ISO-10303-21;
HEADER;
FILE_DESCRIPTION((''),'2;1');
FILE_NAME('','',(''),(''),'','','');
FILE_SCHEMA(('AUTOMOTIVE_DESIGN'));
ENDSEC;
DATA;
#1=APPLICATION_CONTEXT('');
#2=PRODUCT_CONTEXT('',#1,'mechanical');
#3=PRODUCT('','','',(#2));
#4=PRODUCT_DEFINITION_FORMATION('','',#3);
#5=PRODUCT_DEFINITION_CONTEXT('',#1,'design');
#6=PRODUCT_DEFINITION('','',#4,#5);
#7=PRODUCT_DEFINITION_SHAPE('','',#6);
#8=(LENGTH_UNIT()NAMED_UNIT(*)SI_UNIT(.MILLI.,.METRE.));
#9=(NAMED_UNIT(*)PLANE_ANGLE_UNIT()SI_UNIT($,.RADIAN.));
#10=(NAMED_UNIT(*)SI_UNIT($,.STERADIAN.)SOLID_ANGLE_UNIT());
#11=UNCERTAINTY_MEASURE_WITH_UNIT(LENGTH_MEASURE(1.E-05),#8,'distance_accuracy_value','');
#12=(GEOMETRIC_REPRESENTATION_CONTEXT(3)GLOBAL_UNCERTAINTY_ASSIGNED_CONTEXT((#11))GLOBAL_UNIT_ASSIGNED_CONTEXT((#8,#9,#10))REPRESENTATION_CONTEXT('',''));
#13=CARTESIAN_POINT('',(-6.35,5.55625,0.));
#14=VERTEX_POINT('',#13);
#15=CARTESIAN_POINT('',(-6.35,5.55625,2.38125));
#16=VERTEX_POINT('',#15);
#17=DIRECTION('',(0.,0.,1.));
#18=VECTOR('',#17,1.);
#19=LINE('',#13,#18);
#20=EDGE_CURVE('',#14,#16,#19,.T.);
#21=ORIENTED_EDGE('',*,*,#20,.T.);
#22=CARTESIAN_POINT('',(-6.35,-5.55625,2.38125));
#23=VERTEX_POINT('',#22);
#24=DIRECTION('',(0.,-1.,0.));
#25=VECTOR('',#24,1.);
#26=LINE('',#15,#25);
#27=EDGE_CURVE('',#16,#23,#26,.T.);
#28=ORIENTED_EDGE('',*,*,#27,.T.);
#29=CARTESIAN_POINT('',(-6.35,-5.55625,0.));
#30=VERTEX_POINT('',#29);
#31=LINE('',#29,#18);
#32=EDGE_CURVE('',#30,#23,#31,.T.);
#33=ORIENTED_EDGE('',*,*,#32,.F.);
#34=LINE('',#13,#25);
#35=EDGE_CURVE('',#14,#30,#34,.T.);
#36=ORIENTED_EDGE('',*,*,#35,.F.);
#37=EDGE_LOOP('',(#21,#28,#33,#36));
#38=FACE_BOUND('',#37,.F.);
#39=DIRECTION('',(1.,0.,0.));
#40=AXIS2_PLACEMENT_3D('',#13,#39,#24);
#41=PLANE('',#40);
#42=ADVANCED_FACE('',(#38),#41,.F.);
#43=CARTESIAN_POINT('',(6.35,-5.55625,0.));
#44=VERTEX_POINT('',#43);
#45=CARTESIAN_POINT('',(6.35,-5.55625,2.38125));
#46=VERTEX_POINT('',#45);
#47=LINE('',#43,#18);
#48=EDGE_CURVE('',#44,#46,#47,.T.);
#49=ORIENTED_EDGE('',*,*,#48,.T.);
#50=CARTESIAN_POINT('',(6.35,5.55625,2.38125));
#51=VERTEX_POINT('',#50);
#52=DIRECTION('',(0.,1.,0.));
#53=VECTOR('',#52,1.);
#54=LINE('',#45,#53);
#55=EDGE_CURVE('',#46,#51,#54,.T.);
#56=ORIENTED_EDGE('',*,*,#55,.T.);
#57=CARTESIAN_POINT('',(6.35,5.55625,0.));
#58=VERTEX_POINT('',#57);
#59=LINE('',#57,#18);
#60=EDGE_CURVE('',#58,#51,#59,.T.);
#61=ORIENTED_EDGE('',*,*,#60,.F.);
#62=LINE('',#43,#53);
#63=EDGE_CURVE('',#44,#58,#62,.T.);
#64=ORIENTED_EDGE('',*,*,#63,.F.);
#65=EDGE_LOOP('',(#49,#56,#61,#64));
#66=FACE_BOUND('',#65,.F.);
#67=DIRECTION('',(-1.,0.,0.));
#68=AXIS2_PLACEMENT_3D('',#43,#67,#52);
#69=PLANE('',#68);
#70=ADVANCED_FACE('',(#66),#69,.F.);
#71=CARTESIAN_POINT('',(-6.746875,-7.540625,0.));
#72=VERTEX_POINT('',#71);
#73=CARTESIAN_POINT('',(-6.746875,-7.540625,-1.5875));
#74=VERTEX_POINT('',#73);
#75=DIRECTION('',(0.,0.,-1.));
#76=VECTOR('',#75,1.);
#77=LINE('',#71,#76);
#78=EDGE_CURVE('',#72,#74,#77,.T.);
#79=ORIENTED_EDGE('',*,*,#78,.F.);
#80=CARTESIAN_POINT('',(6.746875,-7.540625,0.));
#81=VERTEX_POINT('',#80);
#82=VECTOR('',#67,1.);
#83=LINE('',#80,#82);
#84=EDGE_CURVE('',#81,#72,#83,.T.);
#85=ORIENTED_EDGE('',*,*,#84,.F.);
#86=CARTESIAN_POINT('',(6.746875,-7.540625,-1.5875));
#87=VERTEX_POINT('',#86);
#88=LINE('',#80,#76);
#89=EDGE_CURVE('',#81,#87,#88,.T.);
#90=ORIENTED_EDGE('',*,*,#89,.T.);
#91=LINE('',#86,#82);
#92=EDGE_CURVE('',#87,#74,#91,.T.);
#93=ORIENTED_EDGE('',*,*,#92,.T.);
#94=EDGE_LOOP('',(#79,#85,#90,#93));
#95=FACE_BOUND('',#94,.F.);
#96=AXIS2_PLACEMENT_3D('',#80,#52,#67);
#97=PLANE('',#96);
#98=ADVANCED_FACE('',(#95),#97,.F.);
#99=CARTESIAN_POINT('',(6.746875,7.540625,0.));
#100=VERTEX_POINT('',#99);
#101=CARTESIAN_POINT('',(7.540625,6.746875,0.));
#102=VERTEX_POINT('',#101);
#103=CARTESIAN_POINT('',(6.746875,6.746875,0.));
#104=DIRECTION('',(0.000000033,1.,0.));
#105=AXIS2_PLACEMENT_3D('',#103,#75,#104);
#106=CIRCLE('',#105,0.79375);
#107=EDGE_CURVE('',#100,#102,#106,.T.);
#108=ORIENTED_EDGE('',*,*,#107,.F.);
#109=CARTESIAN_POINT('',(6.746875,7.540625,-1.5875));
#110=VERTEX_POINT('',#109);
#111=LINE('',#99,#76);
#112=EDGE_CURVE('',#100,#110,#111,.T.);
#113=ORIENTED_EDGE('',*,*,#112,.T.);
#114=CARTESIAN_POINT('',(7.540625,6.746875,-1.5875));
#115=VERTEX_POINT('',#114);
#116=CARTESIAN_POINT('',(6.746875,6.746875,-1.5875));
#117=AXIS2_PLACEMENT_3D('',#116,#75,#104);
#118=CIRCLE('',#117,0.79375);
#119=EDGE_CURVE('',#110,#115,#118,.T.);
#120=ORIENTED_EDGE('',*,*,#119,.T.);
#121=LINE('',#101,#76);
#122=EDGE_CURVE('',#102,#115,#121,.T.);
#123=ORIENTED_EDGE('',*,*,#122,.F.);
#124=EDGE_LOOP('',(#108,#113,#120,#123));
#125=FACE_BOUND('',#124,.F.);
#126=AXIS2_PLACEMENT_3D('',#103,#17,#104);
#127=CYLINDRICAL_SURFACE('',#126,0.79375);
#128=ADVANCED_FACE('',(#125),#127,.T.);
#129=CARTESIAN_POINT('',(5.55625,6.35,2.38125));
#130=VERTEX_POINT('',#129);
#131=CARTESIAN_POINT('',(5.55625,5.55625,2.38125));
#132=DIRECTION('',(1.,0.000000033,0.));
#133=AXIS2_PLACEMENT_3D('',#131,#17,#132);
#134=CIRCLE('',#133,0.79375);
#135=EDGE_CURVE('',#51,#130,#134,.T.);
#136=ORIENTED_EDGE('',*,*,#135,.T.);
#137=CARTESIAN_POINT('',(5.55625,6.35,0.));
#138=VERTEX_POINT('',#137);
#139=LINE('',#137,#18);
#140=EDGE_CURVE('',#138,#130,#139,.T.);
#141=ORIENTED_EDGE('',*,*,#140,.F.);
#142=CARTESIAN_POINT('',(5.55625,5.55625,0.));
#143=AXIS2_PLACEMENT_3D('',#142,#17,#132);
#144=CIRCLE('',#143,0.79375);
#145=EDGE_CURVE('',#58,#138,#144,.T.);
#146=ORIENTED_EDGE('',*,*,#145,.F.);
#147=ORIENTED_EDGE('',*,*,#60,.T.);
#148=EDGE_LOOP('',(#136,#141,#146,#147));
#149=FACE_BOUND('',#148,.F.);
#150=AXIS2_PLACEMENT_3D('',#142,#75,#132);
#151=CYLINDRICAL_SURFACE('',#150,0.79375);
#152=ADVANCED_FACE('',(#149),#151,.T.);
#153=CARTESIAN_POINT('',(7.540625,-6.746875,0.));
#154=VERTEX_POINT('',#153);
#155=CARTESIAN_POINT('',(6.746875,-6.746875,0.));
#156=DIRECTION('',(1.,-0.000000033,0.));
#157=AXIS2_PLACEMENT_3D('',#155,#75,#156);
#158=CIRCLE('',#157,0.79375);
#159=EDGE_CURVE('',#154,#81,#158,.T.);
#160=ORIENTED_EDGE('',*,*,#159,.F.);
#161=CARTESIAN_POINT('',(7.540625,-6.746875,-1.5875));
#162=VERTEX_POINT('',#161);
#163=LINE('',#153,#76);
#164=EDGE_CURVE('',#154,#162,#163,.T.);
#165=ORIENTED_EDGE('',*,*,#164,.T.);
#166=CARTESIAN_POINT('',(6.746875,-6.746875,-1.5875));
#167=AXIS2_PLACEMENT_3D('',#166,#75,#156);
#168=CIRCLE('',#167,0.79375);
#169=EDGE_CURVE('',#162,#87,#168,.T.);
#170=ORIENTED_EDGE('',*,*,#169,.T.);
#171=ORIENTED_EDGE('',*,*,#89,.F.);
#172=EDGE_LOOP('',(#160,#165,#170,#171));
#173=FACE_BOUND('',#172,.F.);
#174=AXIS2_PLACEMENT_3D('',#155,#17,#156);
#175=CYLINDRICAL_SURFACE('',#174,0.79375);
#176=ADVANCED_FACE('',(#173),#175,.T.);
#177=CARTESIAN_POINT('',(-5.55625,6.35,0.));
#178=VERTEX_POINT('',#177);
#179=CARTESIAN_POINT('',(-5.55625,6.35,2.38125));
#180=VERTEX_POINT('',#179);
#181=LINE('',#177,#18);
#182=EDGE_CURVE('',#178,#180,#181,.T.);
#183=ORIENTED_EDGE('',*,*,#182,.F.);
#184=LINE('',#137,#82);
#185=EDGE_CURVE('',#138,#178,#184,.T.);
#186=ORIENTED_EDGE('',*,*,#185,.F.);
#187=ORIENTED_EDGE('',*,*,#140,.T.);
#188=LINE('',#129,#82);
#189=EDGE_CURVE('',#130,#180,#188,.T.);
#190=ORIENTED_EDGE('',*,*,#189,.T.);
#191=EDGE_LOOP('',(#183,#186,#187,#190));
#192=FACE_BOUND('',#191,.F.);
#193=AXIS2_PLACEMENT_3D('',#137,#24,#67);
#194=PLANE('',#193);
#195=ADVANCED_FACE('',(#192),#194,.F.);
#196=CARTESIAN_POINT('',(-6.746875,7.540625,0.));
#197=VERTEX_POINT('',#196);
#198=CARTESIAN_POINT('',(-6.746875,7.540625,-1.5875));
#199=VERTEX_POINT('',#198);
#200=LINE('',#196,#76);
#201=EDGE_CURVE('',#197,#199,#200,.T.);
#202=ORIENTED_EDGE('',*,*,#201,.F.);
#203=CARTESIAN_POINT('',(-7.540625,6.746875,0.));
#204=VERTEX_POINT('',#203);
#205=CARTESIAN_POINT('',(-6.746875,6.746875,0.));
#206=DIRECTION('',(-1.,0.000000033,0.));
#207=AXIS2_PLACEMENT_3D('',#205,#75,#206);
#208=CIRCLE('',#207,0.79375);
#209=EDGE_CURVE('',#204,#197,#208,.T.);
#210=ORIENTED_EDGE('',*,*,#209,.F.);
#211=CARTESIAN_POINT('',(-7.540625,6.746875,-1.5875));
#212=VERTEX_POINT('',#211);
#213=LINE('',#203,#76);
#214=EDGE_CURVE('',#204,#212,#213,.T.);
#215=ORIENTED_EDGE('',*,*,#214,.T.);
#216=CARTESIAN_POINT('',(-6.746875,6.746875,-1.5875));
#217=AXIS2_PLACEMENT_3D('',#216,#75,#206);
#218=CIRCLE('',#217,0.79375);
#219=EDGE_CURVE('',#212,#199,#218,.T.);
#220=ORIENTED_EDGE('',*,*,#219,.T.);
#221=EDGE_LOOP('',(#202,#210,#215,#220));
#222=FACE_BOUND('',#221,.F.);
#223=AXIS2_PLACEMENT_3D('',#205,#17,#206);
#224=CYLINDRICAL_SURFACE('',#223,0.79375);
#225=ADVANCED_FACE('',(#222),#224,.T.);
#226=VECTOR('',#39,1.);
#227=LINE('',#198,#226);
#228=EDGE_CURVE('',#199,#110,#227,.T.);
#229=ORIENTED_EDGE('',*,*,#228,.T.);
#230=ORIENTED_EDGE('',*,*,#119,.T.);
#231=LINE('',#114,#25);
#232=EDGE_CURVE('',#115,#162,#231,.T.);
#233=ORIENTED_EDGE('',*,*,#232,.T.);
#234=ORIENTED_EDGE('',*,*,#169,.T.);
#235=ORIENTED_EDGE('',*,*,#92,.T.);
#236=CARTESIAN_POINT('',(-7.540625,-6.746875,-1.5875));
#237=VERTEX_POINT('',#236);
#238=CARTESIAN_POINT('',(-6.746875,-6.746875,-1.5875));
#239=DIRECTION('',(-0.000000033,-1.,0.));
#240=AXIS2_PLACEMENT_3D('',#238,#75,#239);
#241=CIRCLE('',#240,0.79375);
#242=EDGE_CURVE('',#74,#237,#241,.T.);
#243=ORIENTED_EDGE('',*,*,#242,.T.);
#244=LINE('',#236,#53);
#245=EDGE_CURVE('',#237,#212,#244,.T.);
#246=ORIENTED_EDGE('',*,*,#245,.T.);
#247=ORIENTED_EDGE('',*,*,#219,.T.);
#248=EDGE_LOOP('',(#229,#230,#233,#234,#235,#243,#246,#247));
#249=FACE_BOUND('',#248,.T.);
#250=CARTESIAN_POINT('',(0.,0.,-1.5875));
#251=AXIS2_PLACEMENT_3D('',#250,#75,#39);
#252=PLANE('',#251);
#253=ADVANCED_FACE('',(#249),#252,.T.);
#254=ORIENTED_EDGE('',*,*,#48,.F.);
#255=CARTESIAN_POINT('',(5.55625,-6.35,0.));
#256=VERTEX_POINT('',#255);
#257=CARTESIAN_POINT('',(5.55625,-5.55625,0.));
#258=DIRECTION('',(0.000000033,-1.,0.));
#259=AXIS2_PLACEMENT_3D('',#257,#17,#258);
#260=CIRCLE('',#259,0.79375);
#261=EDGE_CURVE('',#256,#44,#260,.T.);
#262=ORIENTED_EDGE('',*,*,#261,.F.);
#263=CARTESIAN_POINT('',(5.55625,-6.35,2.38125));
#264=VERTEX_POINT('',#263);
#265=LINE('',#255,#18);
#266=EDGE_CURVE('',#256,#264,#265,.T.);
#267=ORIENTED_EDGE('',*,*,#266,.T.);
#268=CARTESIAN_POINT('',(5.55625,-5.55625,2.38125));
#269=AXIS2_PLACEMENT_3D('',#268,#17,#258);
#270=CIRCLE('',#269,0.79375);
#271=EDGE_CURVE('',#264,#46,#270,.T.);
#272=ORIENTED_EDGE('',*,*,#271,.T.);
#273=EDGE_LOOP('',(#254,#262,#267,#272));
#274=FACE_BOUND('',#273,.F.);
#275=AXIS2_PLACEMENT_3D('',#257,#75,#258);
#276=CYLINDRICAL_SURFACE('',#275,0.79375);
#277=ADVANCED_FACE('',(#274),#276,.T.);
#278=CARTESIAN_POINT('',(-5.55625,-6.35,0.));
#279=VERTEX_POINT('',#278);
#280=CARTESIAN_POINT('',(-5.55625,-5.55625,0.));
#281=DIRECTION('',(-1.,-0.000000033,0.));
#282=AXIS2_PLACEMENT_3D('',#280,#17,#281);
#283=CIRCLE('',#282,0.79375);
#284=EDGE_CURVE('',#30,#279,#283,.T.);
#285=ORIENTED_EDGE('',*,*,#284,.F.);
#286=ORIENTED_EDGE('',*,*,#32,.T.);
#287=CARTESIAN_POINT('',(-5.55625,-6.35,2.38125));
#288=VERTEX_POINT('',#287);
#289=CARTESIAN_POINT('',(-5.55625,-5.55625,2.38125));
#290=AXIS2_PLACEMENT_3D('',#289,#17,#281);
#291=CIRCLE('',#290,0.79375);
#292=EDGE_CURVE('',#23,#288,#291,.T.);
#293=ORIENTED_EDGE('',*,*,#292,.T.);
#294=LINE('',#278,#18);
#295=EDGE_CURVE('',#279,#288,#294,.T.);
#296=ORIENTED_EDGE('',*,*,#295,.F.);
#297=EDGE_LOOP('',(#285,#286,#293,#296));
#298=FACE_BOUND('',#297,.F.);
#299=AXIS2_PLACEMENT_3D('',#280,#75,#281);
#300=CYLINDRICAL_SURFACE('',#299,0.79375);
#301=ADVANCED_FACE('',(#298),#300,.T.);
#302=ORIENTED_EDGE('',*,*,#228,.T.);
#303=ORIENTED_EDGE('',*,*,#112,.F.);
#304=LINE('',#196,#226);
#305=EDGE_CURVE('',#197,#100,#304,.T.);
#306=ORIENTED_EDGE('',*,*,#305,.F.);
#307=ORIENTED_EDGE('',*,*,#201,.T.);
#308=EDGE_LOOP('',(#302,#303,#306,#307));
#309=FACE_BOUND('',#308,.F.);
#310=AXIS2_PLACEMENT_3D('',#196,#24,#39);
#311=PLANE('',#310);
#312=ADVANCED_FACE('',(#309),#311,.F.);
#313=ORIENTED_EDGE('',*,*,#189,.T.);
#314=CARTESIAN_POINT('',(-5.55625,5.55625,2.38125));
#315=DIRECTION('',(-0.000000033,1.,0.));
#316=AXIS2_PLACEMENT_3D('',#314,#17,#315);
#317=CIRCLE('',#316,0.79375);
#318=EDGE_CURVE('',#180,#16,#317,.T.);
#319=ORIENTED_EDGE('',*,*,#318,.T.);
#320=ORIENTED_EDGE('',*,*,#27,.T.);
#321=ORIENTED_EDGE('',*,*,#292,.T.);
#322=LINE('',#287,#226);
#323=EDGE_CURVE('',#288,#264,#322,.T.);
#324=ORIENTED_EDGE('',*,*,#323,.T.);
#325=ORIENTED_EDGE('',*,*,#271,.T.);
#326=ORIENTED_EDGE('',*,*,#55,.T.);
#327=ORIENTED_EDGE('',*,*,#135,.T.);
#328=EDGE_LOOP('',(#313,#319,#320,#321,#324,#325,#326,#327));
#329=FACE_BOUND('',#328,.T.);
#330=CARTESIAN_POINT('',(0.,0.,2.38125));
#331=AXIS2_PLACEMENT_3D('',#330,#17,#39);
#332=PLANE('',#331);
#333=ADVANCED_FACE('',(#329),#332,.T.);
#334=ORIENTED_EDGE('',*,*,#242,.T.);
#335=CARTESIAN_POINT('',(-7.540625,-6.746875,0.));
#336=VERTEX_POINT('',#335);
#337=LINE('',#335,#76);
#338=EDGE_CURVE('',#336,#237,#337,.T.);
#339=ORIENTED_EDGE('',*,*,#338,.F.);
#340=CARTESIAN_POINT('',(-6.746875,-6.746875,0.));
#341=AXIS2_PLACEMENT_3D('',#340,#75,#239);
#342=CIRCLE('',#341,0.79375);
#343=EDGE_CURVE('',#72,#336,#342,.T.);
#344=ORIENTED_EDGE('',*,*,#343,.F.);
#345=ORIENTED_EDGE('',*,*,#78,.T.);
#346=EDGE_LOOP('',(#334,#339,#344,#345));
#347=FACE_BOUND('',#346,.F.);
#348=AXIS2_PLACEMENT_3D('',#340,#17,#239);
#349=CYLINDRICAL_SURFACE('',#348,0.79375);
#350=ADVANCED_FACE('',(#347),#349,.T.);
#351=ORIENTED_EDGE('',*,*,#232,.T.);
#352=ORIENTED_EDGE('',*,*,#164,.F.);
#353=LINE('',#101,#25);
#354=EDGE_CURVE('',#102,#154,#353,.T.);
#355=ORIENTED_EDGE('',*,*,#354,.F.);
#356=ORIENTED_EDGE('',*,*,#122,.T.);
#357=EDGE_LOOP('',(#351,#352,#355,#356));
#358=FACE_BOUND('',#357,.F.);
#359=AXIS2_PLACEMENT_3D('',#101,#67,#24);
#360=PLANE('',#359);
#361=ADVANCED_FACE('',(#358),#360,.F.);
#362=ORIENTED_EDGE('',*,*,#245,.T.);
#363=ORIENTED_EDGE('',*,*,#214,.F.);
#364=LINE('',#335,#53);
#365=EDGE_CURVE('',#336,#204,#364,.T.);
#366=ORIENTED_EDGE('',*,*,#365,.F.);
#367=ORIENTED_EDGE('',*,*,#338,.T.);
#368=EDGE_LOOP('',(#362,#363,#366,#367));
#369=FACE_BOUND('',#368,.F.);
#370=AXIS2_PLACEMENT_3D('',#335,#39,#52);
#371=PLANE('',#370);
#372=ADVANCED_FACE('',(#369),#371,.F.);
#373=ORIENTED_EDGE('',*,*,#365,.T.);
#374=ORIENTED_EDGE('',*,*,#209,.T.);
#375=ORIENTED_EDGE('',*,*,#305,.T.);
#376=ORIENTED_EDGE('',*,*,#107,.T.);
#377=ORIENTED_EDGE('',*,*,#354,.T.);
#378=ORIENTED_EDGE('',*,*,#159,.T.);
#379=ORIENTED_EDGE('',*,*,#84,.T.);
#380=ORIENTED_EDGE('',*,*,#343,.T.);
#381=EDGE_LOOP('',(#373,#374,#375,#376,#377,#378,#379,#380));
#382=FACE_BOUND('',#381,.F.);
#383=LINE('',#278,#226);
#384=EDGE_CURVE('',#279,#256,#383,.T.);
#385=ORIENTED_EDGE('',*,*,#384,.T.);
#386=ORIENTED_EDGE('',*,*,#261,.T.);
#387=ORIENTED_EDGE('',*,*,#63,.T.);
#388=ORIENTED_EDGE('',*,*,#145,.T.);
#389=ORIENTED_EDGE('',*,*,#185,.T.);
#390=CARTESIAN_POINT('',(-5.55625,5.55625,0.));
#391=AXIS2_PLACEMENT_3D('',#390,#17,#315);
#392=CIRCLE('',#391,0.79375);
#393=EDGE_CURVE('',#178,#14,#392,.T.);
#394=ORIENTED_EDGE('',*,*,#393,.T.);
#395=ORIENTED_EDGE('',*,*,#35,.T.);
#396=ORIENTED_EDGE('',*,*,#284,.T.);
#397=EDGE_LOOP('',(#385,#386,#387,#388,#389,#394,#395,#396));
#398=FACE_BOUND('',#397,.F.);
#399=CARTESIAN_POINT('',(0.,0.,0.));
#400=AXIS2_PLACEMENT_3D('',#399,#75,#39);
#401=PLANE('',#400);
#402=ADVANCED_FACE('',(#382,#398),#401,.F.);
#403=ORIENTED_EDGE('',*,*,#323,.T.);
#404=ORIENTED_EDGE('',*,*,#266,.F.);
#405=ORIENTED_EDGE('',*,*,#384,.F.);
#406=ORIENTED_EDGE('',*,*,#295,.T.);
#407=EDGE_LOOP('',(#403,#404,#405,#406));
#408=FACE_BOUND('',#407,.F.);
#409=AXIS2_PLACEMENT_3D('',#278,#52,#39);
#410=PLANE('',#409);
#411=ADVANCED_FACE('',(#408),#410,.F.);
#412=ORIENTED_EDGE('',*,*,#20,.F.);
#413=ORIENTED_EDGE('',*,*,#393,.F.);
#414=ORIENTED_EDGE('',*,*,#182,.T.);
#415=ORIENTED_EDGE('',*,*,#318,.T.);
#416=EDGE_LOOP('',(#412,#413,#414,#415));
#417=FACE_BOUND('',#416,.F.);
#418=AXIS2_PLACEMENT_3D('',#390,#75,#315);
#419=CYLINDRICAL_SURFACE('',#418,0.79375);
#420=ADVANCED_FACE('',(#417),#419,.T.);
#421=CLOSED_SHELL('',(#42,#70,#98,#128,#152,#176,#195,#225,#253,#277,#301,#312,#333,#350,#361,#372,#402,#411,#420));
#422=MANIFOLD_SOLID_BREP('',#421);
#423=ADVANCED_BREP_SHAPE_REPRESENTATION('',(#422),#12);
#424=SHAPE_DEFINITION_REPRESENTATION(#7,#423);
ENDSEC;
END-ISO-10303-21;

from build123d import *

# Parameters (mm, degrees)
F1_DEPTH = 2.38125
F3_DEPTH = 1.5875


with BuildPart() as f1:
    # F0 (on Top) → F1 (new body)
    with BuildSketch(Plane.XY):
        with BuildLine():
            Line((-5.55625, -6.35), (5.55625, -6.35))
            ThreePointArc((5.55625, -6.35), (6.117516, -6.117516), (6.35, -5.55625))
            Line((6.35, -5.55625), (6.35, 5.55625))
            ThreePointArc((6.35, 5.55625), (6.117516, 6.117516), (5.55625, 6.35))
            Line((5.55625, 6.35), (-5.55625, 6.35))
            ThreePointArc((-5.55625, 6.35), (-6.117516, 6.117516), (-6.35, 5.55625))
            Line((-6.35, 5.55625), (-6.35, -5.55625))
            ThreePointArc((-6.35, -5.55625), (-6.117516, -6.117516), (-5.55625, -6.35))
        make_face()
    extrude(amount=F1_DEPTH)

    # F2 (on face) → F3 (join)
    with BuildSketch(Plane(origin=(0, 0, 0), x_dir=(1, 0, 0), z_dir=(0, 0, -1))):
        with BuildLine():
            Line((6.746875, 7.540625), (-6.746875, 7.540625))
            ThreePointArc((-6.746875, 7.540625), (-7.308141, 7.308141), (-7.540625, 6.746875))
            Line((-7.540625, 6.746875), (-7.540625, -6.746875))
            ThreePointArc((-7.540625, -6.746875), (-7.308141, -7.308141), (-6.746875, -7.540625))
            Line((-6.746875, -7.540625), (6.746875, -7.540625))
            ThreePointArc((6.746875, -7.540625), (7.308141, -7.308141), (7.540625, -6.746875))
            Line((7.540625, -6.746875), (7.540625, 6.746875))
            ThreePointArc((7.540625, 6.746875), (7.308141, 7.308141), (6.746875, 7.540625))
        make_face()
        with BuildLine():
            Line((-5.55625, 6.35), (5.55625, 6.35))
            ThreePointArc((5.55625, 6.35), (6.117516, 6.117516), (6.35, 5.55625))
            Line((6.35, 5.55625), (6.35, -5.55625))
            ThreePointArc((6.35, -5.55625), (6.117516, -6.117516), (5.55625, -6.35))
            Line((5.55625, -6.35), (-5.55625, -6.35))
            ThreePointArc((-5.55625, -6.35), (-6.117516, -6.117516), (-6.35, -5.55625))
            Line((-6.35, -5.55625), (-6.35, 5.55625))
            ThreePointArc((-6.35, 5.55625), (-6.117516, 6.117516), (-5.55625, 6.35))
        make_face(mode=Mode.SUBTRACT)
        with BuildLine():
            ThreePointArc((6.35, 5.55625), (6.117516, 6.117516), (5.55625, 6.35))
            Line((5.55625, 6.35), (-5.55625, 6.35))
            ThreePointArc((-5.55625, 6.35), (-6.117516, 6.117516), (-6.35, 5.55625))
            Line((-6.35, 5.55625), (-6.35, -5.55625))
            ThreePointArc((-6.35, -5.55625), (-6.117516, -6.117516), (-5.55625, -6.35))
            Line((-5.55625, -6.35), (5.55625, -6.35))
            ThreePointArc((5.55625, -6.35), (6.117516, -6.117516), (6.35, -5.55625))
            Line((6.35, -5.55625), (6.35, 5.55625))
        make_face()
    extrude(amount=F3_DEPTH)


solid = f1.part
